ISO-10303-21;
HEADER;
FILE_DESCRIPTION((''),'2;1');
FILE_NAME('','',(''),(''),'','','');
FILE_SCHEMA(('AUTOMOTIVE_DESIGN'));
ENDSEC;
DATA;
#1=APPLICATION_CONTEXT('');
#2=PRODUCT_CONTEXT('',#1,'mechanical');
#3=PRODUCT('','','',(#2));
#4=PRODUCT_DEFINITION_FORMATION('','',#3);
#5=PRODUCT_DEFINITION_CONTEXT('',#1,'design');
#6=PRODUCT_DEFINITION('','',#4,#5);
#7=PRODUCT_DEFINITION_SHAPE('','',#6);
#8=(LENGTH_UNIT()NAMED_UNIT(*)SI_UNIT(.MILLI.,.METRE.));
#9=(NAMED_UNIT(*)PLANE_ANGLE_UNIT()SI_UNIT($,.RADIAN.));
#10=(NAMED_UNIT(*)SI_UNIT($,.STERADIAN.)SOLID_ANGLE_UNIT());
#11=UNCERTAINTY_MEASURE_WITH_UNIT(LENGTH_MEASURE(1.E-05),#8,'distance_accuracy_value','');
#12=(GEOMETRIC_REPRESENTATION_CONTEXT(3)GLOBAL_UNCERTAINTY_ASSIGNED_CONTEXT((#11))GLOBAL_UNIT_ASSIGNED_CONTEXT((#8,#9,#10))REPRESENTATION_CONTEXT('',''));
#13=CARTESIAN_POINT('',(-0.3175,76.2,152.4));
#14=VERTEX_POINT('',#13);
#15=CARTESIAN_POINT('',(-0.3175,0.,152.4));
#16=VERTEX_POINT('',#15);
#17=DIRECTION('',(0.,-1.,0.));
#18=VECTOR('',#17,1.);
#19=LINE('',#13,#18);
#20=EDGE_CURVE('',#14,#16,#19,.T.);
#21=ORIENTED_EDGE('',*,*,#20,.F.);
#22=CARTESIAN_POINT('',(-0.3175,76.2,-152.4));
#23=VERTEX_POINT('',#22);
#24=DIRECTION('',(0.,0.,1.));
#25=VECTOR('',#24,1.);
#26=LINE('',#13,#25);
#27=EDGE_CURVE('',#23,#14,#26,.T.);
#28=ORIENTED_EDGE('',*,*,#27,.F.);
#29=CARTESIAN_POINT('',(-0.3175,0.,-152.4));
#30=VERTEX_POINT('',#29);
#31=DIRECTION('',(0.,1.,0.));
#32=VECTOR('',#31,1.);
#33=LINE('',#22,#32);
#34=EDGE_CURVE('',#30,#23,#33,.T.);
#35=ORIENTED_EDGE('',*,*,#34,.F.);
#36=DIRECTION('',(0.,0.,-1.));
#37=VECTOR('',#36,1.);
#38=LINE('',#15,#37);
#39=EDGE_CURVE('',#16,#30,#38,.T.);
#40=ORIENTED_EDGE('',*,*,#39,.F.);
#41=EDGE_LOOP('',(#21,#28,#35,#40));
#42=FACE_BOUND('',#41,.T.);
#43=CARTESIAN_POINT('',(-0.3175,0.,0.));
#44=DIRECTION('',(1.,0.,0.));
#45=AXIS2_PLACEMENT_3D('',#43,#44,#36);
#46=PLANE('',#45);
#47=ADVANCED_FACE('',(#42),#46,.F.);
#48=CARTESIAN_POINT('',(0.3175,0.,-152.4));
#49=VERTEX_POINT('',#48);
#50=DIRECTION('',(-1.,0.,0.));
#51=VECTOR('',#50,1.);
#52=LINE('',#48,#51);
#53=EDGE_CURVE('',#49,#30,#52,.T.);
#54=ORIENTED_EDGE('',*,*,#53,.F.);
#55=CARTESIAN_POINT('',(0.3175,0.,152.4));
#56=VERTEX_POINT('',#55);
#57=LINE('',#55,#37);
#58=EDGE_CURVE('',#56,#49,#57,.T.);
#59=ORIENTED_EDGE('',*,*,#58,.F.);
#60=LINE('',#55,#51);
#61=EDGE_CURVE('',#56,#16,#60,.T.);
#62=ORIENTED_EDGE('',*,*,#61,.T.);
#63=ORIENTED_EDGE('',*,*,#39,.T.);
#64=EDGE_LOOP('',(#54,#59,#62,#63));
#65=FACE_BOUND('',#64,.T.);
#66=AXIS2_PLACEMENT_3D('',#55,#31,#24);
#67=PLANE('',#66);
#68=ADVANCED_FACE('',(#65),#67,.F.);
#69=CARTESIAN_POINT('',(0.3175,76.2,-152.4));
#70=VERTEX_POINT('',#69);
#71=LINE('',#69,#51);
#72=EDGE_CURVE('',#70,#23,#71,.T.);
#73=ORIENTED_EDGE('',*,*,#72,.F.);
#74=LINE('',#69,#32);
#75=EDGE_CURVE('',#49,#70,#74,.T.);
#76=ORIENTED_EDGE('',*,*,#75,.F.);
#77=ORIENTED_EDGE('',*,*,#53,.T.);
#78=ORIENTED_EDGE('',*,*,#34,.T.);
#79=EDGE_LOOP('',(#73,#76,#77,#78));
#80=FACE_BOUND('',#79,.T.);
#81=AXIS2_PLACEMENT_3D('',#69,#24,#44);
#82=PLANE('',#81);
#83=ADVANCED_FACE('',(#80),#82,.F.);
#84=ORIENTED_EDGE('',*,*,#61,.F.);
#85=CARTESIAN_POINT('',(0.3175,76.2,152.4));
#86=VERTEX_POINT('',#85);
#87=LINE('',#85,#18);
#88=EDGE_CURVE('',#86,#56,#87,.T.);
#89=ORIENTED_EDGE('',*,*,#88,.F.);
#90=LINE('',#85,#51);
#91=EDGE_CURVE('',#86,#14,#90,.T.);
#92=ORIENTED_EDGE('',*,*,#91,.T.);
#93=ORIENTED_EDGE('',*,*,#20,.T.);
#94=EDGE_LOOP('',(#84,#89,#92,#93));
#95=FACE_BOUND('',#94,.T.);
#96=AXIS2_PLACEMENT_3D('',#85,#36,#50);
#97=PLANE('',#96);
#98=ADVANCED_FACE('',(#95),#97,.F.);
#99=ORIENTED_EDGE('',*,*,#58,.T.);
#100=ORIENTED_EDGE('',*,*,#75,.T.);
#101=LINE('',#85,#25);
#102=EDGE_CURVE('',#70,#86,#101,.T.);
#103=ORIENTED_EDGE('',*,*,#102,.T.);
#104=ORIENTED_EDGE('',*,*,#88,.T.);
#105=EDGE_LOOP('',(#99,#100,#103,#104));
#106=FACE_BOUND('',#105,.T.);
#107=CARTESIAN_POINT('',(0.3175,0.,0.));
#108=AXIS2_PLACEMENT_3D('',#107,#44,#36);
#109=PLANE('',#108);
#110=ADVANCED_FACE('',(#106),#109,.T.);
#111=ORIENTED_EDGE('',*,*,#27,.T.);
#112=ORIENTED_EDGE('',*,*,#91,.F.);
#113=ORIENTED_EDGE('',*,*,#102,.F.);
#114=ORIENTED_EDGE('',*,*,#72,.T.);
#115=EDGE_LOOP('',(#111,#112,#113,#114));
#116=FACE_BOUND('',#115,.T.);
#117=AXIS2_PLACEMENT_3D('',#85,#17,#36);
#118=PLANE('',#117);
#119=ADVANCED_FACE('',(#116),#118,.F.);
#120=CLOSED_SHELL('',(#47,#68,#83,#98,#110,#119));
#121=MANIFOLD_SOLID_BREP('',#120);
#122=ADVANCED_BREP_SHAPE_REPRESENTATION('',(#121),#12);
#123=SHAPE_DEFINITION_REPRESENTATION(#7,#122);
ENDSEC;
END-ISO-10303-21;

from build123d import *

# Parameters (mm, degrees)
SKETCH1_W           = 304.8
SKETCH1_H           = 76.2
BOSS_EXTRUDE1_DEPTH = 0.3175


with BuildPart() as part:
    # Sketch1 → Boss-Extrude1 (new, symmetric)
    with BuildSketch(Plane(origin=(0, 0, 0), x_dir=(0, 0, -1), z_dir=(1, 0, 0))):
        with Locations((0, 38.1)):
            Rectangle(SKETCH1_W, SKETCH1_H)
    extrude(amount=BOSS_EXTRUDE1_DEPTH, both=True)


solid = part.part
